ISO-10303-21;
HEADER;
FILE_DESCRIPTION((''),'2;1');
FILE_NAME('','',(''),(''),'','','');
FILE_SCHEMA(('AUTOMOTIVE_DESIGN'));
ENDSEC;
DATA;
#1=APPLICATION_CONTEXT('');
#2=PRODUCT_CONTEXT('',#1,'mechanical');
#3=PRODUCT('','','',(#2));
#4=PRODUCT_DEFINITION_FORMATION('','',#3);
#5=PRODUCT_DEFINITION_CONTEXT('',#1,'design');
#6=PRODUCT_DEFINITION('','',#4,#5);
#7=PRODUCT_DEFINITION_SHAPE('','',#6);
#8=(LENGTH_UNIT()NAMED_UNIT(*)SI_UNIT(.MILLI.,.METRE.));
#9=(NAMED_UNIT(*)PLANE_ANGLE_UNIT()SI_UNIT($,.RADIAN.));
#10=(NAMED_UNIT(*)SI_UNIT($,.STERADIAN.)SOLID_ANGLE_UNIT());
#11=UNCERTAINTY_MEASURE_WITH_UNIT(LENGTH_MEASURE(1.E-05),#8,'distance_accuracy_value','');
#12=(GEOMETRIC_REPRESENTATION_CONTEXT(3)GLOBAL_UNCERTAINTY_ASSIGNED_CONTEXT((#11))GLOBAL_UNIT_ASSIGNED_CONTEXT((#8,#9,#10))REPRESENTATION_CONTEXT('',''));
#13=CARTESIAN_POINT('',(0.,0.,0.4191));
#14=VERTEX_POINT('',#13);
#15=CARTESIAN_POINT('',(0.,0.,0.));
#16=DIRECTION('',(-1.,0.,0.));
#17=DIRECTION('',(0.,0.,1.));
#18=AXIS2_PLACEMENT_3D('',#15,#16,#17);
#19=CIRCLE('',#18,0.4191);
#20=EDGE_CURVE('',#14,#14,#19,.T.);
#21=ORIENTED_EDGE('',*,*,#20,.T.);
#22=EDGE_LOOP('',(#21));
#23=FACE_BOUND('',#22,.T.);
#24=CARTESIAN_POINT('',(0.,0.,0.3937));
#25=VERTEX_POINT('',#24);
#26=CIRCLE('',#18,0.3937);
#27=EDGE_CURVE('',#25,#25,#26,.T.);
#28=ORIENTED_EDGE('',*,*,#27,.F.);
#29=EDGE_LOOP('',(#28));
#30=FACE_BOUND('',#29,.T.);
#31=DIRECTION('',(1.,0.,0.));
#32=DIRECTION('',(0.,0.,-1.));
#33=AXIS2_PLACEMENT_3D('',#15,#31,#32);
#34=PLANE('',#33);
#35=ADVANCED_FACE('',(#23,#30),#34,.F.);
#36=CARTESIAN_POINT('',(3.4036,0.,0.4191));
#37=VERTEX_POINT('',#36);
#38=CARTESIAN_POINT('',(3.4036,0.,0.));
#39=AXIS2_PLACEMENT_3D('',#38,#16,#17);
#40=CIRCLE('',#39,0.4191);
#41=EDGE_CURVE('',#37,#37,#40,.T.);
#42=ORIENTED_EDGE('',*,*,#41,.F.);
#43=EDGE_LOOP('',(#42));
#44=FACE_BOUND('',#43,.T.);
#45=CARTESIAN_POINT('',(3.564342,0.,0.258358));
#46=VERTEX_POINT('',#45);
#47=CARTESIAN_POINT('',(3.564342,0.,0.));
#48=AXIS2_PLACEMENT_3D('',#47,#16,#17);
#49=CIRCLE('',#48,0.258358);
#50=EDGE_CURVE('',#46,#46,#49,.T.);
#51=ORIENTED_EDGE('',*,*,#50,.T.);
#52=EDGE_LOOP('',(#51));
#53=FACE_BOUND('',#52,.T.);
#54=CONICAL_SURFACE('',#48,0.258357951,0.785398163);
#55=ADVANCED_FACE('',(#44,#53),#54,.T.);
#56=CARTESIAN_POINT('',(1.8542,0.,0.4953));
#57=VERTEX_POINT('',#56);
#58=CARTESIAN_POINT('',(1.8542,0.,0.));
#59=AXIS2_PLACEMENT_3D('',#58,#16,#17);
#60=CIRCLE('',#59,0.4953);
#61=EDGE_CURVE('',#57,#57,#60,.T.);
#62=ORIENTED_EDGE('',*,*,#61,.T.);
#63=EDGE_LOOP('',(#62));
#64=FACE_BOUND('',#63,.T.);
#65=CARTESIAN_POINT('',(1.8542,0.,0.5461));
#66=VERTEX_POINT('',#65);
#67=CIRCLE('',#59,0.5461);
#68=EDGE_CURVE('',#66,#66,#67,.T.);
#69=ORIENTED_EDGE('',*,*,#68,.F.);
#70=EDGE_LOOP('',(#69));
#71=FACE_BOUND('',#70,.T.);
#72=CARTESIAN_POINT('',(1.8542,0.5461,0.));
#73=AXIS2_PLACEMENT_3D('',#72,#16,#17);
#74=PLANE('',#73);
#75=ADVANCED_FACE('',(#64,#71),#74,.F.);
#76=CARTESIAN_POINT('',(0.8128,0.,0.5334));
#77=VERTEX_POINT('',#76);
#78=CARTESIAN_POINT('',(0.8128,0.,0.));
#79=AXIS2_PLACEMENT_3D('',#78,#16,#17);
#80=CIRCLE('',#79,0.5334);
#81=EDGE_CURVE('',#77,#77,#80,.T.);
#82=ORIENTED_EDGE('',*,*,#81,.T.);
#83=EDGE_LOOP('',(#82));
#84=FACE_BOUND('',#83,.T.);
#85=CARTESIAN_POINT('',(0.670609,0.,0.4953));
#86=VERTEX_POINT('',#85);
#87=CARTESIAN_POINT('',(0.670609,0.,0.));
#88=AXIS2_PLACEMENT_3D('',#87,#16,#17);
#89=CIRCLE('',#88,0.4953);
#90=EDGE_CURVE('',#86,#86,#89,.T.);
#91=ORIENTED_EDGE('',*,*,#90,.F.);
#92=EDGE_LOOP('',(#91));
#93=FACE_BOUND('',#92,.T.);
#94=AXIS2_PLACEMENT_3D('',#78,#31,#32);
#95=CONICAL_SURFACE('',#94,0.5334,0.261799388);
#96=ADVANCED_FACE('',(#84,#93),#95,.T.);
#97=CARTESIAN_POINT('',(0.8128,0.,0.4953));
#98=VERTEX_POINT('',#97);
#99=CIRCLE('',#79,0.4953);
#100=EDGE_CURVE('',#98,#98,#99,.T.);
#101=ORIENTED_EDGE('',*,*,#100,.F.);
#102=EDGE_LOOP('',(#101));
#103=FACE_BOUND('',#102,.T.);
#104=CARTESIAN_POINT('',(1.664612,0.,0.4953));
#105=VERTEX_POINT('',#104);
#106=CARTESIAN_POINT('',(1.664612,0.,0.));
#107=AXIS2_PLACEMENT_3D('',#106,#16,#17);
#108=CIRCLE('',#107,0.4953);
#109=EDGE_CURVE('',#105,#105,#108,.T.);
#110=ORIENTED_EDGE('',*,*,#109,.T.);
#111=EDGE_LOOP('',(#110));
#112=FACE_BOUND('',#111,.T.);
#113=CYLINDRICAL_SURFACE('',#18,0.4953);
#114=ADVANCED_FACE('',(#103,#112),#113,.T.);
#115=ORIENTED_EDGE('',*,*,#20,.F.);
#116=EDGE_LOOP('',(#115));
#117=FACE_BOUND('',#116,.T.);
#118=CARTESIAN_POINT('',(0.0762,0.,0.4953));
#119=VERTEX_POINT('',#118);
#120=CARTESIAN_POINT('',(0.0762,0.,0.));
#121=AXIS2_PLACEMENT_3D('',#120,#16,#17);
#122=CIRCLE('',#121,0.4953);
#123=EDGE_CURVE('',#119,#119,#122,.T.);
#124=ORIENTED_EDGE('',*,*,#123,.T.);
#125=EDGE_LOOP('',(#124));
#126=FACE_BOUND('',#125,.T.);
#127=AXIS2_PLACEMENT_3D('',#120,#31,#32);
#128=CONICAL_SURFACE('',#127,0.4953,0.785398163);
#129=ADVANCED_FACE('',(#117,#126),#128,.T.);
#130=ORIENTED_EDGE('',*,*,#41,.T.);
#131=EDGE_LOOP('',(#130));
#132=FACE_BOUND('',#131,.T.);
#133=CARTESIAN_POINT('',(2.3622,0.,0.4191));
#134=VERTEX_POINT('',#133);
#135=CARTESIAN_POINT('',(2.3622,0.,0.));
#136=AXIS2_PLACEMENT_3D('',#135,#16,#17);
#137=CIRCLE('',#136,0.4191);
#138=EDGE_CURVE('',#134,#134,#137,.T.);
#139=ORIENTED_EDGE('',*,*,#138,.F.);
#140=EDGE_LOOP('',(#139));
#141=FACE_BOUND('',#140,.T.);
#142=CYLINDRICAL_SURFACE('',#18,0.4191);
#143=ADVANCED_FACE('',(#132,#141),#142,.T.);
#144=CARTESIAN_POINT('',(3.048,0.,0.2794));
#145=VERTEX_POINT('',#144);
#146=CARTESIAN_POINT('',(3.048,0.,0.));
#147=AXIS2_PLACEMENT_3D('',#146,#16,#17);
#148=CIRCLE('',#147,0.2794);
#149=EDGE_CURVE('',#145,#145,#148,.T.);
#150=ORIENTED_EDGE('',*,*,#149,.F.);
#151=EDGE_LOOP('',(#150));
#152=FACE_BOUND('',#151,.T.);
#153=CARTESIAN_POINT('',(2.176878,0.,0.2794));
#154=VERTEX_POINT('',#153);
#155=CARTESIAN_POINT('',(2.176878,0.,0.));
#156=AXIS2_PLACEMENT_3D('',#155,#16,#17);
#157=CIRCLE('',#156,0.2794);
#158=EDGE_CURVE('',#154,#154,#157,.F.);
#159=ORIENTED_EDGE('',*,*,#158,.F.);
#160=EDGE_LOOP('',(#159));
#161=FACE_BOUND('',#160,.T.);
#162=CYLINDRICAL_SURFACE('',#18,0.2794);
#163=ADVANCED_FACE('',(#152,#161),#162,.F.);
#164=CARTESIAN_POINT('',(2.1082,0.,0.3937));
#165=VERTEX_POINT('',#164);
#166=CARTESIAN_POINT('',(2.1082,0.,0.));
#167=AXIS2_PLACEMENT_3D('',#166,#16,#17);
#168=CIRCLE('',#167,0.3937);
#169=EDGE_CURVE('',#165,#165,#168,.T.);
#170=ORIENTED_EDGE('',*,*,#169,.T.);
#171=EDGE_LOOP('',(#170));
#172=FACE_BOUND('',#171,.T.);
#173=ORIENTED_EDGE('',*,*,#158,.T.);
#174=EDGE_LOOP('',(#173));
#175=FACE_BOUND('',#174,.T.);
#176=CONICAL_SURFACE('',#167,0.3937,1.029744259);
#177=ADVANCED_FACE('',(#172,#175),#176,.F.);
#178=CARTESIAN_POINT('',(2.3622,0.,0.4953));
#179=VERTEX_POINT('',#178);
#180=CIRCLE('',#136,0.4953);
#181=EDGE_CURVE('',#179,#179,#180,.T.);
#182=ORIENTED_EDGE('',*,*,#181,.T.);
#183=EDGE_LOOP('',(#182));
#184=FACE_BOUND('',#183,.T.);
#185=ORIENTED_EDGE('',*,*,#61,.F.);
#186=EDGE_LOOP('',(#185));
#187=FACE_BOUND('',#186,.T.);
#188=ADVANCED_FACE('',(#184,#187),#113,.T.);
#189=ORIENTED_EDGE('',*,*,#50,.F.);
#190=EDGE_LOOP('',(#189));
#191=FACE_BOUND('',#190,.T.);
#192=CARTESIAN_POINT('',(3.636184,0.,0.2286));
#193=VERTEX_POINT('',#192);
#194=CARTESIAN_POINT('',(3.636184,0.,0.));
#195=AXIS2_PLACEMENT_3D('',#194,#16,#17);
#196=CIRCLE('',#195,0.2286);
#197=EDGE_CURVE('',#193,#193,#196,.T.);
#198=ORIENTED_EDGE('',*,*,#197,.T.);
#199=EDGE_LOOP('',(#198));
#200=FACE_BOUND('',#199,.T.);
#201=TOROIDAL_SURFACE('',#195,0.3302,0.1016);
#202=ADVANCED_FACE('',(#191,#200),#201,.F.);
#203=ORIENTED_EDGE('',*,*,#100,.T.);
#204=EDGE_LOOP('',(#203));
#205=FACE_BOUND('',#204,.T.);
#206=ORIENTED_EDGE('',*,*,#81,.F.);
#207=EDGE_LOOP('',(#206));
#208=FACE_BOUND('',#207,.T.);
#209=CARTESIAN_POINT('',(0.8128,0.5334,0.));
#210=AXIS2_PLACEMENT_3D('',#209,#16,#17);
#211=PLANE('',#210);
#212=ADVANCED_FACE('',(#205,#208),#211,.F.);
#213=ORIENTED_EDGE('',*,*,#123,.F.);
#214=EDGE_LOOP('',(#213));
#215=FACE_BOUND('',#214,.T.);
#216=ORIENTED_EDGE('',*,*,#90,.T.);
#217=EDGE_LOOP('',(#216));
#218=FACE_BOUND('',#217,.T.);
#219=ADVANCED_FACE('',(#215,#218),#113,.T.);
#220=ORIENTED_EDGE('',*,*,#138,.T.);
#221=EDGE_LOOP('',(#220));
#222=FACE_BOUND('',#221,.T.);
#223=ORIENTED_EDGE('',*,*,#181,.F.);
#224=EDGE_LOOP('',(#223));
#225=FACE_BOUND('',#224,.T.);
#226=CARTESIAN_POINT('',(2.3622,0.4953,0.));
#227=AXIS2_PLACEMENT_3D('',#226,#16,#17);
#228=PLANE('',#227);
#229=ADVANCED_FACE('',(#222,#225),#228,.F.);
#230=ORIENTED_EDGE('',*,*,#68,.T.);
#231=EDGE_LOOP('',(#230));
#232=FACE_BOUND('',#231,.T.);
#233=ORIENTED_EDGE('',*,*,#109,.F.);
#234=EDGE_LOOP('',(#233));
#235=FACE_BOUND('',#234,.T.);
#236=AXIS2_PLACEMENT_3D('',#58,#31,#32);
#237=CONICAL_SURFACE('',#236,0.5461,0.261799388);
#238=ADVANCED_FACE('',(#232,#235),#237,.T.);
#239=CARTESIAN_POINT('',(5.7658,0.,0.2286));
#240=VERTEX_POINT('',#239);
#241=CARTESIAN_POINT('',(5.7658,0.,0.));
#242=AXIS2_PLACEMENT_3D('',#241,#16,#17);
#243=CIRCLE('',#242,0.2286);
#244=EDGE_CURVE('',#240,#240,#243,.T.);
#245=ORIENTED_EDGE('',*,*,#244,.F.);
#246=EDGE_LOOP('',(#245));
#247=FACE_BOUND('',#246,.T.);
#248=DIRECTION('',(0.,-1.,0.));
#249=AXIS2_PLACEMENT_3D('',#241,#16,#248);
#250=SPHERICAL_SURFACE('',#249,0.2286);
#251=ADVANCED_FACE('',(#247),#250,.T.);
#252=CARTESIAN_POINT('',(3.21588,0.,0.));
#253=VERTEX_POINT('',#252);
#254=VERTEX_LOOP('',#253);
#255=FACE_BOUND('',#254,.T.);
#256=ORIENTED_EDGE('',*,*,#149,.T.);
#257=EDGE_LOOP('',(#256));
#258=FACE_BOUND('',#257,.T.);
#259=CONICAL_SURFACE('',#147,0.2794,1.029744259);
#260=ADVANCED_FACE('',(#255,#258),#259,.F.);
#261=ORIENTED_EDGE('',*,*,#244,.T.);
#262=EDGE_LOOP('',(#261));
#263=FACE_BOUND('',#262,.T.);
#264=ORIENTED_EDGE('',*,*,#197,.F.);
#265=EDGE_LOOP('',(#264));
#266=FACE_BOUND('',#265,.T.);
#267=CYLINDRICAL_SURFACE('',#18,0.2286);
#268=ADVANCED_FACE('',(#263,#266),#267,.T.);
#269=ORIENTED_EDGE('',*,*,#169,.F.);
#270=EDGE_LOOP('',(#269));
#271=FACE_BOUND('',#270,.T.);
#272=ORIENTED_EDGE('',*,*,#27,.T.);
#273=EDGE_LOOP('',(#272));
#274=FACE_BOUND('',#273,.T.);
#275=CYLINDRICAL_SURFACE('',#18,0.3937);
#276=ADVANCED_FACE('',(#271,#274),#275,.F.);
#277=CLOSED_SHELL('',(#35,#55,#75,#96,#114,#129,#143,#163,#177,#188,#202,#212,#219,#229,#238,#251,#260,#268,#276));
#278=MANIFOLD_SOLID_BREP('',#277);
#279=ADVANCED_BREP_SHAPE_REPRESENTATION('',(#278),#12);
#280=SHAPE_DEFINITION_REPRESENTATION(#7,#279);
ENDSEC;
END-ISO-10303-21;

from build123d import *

# Parameters (mm, degrees)
HOLE1_D     = 0.7874
HOLE1_DEPTH = 2.1082
HOLE1_TIP   = 0.236558826
HOLE2_D     = 0.5588
HOLE2_DEPTH = 3.048
HOLE2_TIP   = 0.167880457


with BuildPart() as part:
    # Sketch1 → RevolutionAngle1 (revolve)
    with BuildSketch(Plane.XY):
        with BuildLine():
            Line((0, 0), (0, 0.4191))
            Line((0, 0.4191), (0.0762, 0.4953))
            Line((0.0762, 0.4953), (0.670608864, 0.4953))
            Line((0.670608864, 0.4953), (0.8128, 0.5334))
            Line((0.8128, 0.5334), (0.8128, 0.4953))
            Line((0.8128, 0.4953), (1.664611819, 0.4953))
            Line((1.664611819, 0.4953), (1.8542, 0.5461))
            Line((1.8542, 0.5461), (1.8542, 0.4953))
            Line((1.8542, 0.4953), (2.3622, 0.4953))
            Line((2.3622, 0.4953), (2.3622, 0.4191))
            Line((2.3622, 0.4191), (3.4036, 0.4191))
            Line((3.4036, 0.4191), (3.564342049, 0.258357951))
            ThreePointArc((3.564342049, 0.258357951), (3.597303461, 0.236333839), (3.636184098, 0.2286))
            Line((3.636184098, 0.2286), (5.7658, 0.2286))
            ThreePointArc((5.7658, 0.2286), (5.92744461, 0.16164461), (5.9944, 0))
            Line((5.9944, 0), (0, 0))
        make_face()
    revolve(axis=Axis((0, 0, 0), (1, 0, 0)))

    # Hole1
    with Locations(Plane.ZY):
        with Locations((0, 0)):
            Hole(HOLE1_D / 2, depth=HOLE1_DEPTH)
            with Locations((0, 0, -(HOLE1_DEPTH + HOLE1_TIP / 2))):  # 118° drill point
                Cone(0, HOLE1_D / 2, HOLE1_TIP, mode=Mode.SUBTRACT)

    # Hole2
    with Locations(Plane(origin=(0, 0, 0.3937), x_dir=(0, 0, 1), z_dir=(-1, 0, 0))):
        with Locations((-0.3937, 0)):
            Hole(HOLE2_D / 2, depth=HOLE2_DEPTH)
            with Locations((0, 0, -(HOLE2_DEPTH + HOLE2_TIP / 2))):  # 118° drill point
                Cone(0, HOLE2_D / 2, HOLE2_TIP, mode=Mode.SUBTRACT)


solid = part.part
